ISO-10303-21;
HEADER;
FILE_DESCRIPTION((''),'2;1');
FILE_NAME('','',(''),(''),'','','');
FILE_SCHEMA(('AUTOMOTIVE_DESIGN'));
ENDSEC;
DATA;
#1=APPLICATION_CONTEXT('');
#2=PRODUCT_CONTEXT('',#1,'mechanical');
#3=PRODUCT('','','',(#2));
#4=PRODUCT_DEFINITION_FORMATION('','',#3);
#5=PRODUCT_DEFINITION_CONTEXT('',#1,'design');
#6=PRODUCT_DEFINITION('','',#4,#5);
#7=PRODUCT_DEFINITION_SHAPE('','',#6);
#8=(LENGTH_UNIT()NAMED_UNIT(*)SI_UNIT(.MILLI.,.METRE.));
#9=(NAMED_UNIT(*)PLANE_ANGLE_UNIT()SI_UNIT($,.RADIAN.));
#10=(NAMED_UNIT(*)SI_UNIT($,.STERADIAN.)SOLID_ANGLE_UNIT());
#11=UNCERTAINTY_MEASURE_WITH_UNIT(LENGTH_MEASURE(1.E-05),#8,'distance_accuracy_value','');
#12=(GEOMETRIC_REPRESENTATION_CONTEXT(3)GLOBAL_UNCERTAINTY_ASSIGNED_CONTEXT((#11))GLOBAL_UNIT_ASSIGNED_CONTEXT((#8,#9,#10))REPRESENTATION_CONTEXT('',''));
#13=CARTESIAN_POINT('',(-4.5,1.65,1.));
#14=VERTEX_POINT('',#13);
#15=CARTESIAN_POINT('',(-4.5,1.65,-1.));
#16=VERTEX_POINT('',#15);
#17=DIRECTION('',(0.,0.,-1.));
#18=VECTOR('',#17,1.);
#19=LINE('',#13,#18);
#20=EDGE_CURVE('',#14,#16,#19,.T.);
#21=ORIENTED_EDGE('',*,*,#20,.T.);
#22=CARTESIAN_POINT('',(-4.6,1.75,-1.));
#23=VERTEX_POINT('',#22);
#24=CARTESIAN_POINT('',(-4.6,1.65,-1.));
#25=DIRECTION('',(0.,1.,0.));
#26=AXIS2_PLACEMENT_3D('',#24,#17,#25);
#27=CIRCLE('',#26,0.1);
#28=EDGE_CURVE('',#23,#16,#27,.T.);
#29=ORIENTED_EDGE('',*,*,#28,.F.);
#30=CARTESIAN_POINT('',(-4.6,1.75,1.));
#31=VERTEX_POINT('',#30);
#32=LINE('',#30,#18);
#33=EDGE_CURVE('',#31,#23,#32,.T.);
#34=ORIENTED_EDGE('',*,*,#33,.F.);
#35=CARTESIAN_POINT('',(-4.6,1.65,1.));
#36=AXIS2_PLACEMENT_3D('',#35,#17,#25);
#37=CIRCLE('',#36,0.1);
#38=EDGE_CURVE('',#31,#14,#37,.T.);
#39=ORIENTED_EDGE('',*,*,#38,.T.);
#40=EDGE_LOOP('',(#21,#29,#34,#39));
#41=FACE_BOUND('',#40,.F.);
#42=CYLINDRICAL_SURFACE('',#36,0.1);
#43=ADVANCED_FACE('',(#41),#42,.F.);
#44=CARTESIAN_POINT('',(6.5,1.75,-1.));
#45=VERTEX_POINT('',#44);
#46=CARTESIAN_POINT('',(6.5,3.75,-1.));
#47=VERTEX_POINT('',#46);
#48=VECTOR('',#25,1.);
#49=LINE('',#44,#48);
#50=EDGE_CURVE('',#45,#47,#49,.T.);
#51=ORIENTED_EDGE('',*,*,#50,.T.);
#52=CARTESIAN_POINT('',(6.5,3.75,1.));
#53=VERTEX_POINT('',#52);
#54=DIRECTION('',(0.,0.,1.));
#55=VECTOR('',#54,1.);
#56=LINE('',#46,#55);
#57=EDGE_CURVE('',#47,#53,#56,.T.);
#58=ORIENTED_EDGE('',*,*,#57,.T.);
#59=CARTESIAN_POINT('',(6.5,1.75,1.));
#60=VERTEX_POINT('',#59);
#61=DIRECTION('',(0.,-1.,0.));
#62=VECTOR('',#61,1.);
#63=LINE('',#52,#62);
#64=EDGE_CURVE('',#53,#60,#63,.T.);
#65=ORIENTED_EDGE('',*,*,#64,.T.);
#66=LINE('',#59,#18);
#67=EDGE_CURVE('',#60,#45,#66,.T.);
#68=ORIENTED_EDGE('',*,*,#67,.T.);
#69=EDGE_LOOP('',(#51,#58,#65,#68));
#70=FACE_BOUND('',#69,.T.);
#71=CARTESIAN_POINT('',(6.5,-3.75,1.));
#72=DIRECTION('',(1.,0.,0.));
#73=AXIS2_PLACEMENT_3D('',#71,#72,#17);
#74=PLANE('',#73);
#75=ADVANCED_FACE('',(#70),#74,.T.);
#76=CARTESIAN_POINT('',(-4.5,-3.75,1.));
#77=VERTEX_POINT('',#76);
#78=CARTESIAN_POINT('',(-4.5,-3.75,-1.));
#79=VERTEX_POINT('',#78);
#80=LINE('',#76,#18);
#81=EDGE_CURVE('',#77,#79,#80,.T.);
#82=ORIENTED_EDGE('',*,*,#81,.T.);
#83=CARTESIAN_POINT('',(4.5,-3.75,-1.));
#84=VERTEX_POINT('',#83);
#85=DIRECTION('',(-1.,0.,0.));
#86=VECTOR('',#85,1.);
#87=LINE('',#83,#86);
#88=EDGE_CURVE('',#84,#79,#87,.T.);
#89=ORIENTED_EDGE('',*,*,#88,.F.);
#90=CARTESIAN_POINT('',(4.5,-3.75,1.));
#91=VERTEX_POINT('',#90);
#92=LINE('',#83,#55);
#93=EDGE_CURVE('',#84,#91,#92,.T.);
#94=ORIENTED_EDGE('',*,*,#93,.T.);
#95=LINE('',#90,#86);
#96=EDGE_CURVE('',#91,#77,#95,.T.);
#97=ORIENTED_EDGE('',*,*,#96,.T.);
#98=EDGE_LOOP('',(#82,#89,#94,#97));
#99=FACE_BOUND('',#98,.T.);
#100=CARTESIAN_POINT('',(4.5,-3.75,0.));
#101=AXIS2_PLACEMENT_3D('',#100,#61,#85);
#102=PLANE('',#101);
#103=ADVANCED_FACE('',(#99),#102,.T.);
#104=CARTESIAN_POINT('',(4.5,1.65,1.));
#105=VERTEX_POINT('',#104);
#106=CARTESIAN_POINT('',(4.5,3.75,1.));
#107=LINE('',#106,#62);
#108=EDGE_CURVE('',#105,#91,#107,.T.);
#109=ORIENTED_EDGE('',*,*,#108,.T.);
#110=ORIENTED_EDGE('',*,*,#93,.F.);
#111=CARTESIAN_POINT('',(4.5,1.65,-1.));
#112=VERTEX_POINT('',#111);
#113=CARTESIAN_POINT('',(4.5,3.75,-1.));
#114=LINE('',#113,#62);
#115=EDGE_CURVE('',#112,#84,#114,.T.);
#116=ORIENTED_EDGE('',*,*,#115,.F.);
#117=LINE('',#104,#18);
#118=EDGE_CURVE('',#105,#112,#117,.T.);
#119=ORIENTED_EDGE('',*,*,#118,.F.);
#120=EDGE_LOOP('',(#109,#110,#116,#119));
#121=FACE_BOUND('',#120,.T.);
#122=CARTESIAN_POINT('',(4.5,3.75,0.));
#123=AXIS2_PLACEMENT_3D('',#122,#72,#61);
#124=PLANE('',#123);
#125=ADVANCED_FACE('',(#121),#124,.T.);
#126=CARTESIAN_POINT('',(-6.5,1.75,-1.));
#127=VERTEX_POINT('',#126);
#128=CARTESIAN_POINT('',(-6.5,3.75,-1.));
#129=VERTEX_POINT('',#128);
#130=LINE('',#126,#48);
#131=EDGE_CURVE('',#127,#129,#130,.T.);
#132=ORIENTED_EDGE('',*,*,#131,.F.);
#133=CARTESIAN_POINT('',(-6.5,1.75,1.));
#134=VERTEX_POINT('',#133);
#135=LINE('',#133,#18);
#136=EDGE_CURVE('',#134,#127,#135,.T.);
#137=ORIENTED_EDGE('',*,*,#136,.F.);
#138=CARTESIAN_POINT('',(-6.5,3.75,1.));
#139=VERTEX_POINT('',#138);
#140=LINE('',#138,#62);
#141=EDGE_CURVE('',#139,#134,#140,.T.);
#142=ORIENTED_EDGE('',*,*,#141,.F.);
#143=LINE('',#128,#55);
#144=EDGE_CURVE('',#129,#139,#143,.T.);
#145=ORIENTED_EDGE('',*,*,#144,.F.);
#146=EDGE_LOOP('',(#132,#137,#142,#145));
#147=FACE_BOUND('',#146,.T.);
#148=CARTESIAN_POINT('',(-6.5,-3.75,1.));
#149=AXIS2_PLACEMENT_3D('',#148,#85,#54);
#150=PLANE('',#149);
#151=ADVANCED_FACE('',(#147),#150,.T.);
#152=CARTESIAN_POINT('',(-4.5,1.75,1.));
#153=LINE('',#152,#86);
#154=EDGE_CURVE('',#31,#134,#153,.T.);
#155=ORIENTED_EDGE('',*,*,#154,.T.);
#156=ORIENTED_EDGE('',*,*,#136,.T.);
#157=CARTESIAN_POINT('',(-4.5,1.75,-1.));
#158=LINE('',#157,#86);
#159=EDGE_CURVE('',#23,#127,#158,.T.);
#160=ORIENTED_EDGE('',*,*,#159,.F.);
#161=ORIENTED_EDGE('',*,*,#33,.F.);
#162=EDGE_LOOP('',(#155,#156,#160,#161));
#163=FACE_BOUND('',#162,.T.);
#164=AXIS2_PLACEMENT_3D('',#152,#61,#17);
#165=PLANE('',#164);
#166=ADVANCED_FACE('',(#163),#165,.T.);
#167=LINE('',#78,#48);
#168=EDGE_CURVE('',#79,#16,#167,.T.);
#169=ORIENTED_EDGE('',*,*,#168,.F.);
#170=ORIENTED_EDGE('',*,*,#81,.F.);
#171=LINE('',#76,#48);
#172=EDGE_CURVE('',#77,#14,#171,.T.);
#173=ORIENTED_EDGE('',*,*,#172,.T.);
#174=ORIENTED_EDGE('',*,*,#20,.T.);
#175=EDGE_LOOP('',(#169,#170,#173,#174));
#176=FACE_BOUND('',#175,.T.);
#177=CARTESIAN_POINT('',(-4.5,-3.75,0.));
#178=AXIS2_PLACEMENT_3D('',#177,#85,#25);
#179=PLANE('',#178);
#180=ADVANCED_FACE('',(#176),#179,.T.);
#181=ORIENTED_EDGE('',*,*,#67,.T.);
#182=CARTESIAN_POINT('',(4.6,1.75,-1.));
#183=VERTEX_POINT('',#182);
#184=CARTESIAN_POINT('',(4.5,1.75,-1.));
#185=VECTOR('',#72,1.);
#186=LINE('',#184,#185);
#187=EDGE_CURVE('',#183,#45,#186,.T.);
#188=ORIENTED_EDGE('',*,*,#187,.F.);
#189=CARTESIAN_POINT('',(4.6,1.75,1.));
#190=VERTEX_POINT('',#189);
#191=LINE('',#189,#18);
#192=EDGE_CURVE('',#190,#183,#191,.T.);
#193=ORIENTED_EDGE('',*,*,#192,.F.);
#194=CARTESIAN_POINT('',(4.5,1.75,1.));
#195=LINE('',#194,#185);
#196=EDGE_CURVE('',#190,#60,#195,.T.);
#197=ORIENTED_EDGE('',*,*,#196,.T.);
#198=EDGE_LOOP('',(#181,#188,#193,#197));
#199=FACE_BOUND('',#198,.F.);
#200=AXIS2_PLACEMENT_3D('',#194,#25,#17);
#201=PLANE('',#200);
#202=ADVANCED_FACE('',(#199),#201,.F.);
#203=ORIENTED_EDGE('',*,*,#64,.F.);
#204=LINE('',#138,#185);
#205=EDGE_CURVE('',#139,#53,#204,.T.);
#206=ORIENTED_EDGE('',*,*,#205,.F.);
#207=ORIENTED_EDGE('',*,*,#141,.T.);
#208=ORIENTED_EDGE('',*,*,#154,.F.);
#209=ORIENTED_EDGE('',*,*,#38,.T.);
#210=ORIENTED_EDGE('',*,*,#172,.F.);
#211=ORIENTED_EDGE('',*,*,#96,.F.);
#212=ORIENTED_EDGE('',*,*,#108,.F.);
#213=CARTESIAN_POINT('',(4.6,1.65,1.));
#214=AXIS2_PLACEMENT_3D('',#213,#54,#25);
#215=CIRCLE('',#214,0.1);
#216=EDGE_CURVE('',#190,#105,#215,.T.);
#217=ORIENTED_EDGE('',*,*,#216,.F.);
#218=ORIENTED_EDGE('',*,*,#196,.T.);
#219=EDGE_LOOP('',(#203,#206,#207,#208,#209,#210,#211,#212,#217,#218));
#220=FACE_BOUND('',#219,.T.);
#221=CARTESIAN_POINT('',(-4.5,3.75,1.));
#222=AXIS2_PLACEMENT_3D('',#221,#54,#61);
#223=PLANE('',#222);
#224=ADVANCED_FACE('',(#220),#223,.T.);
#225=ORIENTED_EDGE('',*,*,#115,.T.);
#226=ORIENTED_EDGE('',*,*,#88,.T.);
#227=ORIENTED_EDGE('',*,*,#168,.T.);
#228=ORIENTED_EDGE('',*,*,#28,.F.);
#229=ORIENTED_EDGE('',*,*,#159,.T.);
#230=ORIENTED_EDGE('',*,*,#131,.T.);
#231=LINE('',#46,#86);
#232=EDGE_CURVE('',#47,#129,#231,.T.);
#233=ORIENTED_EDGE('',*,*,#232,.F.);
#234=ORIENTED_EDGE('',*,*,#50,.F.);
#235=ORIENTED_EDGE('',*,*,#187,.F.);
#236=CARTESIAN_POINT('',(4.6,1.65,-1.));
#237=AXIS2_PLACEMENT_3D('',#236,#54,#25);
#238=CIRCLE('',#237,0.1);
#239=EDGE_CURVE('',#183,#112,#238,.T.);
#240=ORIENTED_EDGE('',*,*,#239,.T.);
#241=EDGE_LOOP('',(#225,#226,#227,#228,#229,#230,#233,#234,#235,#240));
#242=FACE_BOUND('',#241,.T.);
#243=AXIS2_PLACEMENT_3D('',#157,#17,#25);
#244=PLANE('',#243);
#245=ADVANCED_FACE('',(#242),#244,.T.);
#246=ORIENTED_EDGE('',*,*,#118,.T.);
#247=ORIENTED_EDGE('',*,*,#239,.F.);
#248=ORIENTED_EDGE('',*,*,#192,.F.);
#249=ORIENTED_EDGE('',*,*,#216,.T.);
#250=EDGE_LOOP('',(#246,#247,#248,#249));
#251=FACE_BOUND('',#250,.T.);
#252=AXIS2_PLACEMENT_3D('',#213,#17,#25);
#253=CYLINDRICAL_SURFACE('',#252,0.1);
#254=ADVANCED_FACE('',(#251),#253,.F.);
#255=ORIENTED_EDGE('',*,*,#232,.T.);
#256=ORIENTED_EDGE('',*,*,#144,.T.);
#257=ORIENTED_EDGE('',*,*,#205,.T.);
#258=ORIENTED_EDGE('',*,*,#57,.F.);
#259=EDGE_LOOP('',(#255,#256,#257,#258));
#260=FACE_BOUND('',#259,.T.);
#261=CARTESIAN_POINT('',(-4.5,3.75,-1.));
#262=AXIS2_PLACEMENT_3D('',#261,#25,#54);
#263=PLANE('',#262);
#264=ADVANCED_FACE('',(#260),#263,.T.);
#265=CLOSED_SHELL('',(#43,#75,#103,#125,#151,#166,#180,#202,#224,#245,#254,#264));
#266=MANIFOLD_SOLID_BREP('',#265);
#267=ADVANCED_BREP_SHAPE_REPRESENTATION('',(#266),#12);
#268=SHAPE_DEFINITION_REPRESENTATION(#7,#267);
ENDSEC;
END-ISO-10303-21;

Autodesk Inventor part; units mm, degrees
ref_plane "YZ Plane" through (0, 0, 0) normal (1, 0, 0) x (0, 1, 0)
ref_plane "XZ Plane" through (0, 0, 0) normal (0, 1, 0) x (-1, 0, 0)
ref_plane "XY Plane" through (0, 0, 0) normal (0, 0, 1) x (1, 0, 0)
sketch "Sketch1" plane through (0, 0, 0) normal (0, 0, 1) x (1, 0, 0)
  line L0 (4.5, -3.75) -> (-4.5, -3.75)
  line L1 (-4.5, -3.75) -> (-4.5, 3.75)
  line L2 (-4.5, 3.75) -> (4.5, 3.75)
  line L3 (4.5, 3.75) -> (4.5, -3.75)
  line L4 (4.5, -3.75) -> (-4.5, 3.75) construction
  line L5 (-4.5, -3.75) -> (4.5, 3.75) construction
  point P0 (0, 0)
  dimension "d0" = 9
  dimension "d1" = 7.5
extrude "Extrusion1" add sketch "Sketch1" along normal mid plane 2
sketch "Sketch2" plane through (4.5, -3.75, 1) normal (1, 0, 0) x (0, 0, -1)
  line L0 (2, 7.5) -> (0, 7.5) projected
  line L1 (2, 7.5) -> (0, 7.5)
  line L2 (0, 7.5) -> (0, 5.5)
  line L3 (0, 5.5) -> (2, 5.5)
  line L4 (2, 5.5) -> (2, 7.5)
  point P0 (1, 3.75)
  dimension "d4" = 2
  dimension "d5" = 2
extrude "Extrusion2" add sketch "Sketch2" along normal blind 2
sketch "Sketch3" plane through (-4.5, -3.75, 1) normal (-1, 0, 0) x (0, 0, 1)
  line L0 (-2, 7.5) -> (0, 7.5) projected
  line L1 (0, 7.5) -> (0, 0) projected
  line L2 (-2, 7.5) -> (0, 7.5)
  line L3 (0, 7.5) -> (0, 5.5)
  line L4 (0, 5.5) -> (-2, 5.5)
  line L5 (-2, 5.5) -> (-2, 7.5)
  point P0 (-1, 3.75)
  dimension "d8" = 2
extrude "Extrusion3" add sketch "Sketch3" along normal blind 2
fillet "Fillet1" radius 0.1 2 edges at (4.5, 1.75, 0) (-4.5, 1.75, 0)
properties part number "Tapa_1_TFM"
